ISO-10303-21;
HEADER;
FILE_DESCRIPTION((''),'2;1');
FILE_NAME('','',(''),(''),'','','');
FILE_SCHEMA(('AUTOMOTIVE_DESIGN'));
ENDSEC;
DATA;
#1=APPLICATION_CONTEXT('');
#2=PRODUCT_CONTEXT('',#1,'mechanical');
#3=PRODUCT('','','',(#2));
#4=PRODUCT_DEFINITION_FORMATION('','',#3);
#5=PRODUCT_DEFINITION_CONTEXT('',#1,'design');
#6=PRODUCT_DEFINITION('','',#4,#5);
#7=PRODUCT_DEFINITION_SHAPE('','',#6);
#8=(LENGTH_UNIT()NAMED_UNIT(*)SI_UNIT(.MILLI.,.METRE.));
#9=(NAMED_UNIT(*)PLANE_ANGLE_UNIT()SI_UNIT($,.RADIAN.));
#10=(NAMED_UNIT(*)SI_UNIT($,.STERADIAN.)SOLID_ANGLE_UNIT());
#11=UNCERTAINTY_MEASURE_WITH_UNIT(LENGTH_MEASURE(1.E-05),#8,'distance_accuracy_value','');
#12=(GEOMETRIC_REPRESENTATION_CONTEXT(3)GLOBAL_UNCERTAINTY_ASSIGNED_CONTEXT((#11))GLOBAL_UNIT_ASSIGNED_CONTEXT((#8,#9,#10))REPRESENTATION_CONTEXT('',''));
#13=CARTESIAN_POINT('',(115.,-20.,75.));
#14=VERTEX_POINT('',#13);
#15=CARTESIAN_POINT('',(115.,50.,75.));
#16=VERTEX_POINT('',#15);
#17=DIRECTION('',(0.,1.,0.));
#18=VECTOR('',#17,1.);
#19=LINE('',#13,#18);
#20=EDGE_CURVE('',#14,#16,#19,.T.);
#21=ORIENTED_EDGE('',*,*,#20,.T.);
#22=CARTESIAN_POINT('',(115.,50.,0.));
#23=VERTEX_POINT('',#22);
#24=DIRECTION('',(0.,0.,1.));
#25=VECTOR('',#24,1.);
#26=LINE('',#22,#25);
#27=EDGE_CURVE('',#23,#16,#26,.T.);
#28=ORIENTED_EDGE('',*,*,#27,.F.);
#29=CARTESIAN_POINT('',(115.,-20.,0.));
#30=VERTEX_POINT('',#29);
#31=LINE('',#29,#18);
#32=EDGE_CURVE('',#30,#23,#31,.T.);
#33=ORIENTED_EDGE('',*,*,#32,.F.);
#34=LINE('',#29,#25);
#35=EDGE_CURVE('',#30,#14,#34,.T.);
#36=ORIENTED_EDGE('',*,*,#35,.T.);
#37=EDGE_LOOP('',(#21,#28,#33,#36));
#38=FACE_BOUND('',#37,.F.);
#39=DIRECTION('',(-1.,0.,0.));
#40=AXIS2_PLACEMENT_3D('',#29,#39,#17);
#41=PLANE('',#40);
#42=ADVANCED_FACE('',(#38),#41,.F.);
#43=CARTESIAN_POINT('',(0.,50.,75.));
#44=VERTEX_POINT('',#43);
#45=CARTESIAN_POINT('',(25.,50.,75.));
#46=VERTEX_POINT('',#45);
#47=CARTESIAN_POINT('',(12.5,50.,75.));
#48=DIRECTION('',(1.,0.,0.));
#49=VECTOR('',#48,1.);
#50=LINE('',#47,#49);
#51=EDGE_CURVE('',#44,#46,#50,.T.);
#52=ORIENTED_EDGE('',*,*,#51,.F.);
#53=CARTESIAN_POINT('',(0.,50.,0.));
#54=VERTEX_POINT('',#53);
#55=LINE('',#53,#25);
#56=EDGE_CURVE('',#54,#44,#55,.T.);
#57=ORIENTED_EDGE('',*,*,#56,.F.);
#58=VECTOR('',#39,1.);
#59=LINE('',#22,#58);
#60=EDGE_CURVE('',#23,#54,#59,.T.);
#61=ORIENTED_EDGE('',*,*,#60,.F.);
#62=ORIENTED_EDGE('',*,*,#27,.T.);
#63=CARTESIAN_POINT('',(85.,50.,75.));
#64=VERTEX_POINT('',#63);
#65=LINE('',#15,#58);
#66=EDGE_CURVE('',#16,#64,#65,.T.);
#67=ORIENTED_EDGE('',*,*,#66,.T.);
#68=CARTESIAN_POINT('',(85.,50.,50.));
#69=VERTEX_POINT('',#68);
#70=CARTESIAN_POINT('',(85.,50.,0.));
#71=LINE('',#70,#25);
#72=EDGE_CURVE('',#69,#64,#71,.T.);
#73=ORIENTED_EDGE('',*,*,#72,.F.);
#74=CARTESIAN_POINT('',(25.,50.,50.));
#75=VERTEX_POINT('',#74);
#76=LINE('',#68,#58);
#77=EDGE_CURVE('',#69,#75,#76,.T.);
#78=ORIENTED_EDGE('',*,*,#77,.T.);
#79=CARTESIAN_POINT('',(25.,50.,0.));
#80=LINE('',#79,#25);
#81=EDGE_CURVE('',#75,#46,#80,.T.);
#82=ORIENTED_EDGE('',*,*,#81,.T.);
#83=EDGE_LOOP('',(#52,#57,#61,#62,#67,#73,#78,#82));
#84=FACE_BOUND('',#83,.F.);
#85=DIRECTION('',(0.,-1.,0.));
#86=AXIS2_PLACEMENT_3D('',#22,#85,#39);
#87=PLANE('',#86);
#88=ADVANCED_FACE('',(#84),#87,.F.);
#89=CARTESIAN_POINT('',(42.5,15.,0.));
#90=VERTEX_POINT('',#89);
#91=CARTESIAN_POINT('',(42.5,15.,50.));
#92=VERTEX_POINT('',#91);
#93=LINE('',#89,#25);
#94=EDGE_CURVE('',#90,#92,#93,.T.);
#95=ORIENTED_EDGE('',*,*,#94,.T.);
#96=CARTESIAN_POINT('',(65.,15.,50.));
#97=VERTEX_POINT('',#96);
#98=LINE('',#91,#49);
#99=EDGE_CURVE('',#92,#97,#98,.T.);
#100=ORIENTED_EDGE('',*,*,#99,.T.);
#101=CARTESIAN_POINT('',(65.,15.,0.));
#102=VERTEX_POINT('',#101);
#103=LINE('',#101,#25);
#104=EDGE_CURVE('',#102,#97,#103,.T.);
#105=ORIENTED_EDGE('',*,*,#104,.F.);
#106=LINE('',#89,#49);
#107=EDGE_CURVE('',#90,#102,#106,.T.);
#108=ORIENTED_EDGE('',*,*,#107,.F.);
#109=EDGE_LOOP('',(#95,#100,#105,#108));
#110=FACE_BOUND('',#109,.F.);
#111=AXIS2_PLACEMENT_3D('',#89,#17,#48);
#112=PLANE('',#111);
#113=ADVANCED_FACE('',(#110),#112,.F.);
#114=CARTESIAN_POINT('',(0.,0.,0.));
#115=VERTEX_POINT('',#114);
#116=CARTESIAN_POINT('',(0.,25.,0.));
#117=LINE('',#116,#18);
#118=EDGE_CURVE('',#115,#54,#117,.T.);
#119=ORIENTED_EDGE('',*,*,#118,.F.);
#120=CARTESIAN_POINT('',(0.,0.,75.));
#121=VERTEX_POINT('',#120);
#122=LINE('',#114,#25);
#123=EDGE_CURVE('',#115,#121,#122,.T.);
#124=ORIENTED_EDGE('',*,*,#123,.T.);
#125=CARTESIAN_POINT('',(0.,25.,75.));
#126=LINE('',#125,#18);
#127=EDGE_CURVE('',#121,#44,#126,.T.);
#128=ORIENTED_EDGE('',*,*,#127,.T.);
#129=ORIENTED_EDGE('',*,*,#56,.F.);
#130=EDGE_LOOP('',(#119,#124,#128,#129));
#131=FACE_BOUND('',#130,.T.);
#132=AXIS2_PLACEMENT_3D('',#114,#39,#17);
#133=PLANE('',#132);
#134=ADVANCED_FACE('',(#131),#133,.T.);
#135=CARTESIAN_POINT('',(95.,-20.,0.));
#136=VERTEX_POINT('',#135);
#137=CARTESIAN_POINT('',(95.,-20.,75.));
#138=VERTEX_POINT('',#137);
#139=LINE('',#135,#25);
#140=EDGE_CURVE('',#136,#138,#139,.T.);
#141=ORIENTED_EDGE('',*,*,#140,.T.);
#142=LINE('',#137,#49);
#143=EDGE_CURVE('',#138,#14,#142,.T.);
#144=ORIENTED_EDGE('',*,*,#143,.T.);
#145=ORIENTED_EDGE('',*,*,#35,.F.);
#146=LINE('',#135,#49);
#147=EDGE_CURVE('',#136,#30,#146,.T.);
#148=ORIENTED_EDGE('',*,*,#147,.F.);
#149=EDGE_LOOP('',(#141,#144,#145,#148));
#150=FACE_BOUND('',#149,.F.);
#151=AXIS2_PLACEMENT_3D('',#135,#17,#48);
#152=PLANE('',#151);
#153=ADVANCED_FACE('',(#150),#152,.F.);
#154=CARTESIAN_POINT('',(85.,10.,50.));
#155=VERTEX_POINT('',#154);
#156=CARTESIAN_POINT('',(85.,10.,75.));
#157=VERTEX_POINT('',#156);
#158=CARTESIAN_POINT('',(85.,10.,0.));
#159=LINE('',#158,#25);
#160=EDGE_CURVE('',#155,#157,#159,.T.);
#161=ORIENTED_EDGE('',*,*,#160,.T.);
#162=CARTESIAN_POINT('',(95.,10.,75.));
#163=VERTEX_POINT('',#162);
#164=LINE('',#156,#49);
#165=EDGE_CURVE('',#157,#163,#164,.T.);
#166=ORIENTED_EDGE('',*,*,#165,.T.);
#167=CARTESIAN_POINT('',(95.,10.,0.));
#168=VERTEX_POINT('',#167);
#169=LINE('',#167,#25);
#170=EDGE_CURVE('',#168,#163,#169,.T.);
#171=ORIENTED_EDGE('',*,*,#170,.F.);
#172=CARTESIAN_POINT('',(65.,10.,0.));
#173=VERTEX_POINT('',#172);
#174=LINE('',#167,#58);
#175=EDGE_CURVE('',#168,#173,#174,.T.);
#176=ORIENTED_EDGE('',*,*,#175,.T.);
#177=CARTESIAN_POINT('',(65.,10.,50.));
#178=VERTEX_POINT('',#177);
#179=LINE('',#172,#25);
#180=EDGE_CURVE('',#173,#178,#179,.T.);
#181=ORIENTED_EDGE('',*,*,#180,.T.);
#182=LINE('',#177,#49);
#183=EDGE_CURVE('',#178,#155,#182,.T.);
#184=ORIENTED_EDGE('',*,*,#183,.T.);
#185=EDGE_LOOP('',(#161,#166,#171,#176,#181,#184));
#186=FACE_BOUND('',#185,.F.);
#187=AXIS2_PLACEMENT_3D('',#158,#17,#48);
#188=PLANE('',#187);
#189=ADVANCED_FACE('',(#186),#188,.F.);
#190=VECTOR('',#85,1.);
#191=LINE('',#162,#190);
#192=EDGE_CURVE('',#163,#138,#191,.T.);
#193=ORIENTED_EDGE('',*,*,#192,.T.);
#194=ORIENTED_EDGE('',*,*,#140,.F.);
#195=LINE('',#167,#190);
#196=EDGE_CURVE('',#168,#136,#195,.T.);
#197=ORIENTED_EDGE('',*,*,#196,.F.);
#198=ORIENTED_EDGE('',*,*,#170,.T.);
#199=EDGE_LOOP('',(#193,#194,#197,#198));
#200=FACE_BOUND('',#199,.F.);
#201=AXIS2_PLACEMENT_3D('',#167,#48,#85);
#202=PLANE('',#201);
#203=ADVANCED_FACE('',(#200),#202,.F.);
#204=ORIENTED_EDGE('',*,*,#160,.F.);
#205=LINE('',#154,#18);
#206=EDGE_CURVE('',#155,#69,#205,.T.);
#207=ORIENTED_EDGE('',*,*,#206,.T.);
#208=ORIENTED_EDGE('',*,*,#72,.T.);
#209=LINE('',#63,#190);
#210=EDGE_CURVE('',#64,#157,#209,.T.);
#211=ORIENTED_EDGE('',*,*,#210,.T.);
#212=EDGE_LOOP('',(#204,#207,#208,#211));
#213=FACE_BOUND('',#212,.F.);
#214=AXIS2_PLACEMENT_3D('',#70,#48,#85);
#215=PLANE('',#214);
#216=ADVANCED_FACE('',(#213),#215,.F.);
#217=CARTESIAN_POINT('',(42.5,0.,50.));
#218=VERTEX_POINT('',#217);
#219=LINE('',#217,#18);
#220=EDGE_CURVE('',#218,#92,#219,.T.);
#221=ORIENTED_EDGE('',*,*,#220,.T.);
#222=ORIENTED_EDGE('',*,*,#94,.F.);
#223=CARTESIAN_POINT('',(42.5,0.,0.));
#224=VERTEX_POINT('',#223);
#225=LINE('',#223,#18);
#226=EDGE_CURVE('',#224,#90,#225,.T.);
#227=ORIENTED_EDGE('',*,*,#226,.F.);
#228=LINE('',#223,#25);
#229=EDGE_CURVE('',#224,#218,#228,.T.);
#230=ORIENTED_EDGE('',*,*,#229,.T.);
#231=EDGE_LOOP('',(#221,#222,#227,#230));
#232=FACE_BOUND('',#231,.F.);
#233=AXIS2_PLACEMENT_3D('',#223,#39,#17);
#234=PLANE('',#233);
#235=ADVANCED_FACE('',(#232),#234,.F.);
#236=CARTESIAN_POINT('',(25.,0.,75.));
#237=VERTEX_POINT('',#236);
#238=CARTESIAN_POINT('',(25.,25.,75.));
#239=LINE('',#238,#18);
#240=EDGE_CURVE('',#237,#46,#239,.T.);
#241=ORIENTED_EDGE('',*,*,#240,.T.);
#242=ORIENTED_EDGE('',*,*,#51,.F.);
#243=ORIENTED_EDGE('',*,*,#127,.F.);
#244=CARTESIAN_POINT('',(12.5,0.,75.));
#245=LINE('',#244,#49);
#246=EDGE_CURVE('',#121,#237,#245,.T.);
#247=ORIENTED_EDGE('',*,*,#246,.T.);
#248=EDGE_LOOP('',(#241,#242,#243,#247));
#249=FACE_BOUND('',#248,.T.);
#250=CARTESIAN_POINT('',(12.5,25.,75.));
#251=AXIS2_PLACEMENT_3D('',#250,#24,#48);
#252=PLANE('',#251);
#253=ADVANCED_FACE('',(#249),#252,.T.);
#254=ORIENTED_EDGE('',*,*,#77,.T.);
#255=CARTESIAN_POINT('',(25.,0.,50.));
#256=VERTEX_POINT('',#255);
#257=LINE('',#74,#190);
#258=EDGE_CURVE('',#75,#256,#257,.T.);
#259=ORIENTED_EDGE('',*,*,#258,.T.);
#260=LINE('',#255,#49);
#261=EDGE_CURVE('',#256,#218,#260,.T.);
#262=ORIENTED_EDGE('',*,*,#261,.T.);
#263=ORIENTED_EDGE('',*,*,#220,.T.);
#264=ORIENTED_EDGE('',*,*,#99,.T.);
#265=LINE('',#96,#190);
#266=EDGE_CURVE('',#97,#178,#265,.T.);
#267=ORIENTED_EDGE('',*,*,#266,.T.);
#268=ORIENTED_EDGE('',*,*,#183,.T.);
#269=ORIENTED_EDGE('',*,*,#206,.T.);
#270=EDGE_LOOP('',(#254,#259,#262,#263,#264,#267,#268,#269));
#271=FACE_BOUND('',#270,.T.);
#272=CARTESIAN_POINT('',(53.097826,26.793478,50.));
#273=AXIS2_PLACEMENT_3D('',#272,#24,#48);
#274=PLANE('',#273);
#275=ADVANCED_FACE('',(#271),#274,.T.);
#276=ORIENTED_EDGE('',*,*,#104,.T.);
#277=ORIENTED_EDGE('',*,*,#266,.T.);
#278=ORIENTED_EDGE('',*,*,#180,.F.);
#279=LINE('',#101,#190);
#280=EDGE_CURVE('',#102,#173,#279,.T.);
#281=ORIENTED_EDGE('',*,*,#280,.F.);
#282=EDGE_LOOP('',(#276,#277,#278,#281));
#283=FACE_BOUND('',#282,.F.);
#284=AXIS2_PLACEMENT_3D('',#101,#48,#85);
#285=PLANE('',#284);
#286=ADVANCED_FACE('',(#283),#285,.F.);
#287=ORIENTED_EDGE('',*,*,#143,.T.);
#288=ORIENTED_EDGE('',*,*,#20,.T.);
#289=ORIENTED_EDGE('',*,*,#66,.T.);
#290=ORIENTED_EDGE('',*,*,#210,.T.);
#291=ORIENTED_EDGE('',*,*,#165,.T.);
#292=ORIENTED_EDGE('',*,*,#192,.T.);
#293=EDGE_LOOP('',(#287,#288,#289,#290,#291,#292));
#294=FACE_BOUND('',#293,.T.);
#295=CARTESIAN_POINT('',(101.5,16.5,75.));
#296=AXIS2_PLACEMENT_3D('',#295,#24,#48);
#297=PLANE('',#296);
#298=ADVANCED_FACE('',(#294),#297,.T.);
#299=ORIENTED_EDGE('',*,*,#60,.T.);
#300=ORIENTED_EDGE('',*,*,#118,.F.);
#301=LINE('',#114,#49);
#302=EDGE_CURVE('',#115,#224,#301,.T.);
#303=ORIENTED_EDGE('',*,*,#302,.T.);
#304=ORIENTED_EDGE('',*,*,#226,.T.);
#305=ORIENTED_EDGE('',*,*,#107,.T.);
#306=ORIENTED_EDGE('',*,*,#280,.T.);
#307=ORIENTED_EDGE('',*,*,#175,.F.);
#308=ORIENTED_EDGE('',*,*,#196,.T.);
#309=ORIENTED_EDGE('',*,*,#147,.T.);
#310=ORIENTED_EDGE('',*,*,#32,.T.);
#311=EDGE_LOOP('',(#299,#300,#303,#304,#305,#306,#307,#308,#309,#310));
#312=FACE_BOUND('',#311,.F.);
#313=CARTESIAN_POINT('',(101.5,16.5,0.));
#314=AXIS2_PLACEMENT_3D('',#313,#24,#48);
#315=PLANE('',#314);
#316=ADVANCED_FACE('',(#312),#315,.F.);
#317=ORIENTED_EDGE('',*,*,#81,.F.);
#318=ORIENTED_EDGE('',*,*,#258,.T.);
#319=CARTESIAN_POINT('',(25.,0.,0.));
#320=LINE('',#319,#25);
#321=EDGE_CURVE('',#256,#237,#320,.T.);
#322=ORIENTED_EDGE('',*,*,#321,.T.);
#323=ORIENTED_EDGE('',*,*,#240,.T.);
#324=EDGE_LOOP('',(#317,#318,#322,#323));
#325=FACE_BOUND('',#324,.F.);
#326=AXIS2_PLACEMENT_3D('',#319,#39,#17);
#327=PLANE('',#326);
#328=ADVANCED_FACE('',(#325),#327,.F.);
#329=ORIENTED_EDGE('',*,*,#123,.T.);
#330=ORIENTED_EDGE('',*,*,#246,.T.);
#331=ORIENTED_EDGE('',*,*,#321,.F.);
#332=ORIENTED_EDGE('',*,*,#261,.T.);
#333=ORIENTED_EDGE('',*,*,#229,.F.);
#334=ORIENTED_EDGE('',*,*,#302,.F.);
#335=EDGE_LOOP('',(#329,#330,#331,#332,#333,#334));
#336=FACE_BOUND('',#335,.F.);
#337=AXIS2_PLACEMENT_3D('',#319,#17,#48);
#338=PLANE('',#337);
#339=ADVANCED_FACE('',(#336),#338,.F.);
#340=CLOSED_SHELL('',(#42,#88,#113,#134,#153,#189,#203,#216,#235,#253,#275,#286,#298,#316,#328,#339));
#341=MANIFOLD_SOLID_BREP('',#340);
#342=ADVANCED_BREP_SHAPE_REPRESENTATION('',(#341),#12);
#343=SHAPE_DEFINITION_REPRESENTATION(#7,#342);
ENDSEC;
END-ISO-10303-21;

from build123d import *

# Parameters (mm, degrees)
F0_W     = 25
F0_H     = 50
F1_DEPTH = 75
F2_DEPTH = 50
F3_DEPTH = 75


with BuildPart() as f1:
    # F0 (on Top) → F1 (new body)
    with BuildSketch(Plane.XY):
        with Locations((12.5, 25)):
            Rectangle(F0_W, F0_H)
    extrude(amount=F1_DEPTH)

    # F0 (on Top) → F2 (join)
    with BuildSketch(Plane.XY):
        Polygon((25, 50), (25, 0), (42.5, 0), (42.5, 15), (65, 15), (65, 10), (85, 10), (85, 50), align=None)
    extrude(amount=F2_DEPTH)

    # F0 (on Top) → F3 (join)
    with BuildSketch(Plane.XY):
        Polygon((115, 50), (85, 50), (85, 10), (95, 10), (95, -20), (115, -20), align=None)
    extrude(amount=F3_DEPTH)


solid = f1.part
